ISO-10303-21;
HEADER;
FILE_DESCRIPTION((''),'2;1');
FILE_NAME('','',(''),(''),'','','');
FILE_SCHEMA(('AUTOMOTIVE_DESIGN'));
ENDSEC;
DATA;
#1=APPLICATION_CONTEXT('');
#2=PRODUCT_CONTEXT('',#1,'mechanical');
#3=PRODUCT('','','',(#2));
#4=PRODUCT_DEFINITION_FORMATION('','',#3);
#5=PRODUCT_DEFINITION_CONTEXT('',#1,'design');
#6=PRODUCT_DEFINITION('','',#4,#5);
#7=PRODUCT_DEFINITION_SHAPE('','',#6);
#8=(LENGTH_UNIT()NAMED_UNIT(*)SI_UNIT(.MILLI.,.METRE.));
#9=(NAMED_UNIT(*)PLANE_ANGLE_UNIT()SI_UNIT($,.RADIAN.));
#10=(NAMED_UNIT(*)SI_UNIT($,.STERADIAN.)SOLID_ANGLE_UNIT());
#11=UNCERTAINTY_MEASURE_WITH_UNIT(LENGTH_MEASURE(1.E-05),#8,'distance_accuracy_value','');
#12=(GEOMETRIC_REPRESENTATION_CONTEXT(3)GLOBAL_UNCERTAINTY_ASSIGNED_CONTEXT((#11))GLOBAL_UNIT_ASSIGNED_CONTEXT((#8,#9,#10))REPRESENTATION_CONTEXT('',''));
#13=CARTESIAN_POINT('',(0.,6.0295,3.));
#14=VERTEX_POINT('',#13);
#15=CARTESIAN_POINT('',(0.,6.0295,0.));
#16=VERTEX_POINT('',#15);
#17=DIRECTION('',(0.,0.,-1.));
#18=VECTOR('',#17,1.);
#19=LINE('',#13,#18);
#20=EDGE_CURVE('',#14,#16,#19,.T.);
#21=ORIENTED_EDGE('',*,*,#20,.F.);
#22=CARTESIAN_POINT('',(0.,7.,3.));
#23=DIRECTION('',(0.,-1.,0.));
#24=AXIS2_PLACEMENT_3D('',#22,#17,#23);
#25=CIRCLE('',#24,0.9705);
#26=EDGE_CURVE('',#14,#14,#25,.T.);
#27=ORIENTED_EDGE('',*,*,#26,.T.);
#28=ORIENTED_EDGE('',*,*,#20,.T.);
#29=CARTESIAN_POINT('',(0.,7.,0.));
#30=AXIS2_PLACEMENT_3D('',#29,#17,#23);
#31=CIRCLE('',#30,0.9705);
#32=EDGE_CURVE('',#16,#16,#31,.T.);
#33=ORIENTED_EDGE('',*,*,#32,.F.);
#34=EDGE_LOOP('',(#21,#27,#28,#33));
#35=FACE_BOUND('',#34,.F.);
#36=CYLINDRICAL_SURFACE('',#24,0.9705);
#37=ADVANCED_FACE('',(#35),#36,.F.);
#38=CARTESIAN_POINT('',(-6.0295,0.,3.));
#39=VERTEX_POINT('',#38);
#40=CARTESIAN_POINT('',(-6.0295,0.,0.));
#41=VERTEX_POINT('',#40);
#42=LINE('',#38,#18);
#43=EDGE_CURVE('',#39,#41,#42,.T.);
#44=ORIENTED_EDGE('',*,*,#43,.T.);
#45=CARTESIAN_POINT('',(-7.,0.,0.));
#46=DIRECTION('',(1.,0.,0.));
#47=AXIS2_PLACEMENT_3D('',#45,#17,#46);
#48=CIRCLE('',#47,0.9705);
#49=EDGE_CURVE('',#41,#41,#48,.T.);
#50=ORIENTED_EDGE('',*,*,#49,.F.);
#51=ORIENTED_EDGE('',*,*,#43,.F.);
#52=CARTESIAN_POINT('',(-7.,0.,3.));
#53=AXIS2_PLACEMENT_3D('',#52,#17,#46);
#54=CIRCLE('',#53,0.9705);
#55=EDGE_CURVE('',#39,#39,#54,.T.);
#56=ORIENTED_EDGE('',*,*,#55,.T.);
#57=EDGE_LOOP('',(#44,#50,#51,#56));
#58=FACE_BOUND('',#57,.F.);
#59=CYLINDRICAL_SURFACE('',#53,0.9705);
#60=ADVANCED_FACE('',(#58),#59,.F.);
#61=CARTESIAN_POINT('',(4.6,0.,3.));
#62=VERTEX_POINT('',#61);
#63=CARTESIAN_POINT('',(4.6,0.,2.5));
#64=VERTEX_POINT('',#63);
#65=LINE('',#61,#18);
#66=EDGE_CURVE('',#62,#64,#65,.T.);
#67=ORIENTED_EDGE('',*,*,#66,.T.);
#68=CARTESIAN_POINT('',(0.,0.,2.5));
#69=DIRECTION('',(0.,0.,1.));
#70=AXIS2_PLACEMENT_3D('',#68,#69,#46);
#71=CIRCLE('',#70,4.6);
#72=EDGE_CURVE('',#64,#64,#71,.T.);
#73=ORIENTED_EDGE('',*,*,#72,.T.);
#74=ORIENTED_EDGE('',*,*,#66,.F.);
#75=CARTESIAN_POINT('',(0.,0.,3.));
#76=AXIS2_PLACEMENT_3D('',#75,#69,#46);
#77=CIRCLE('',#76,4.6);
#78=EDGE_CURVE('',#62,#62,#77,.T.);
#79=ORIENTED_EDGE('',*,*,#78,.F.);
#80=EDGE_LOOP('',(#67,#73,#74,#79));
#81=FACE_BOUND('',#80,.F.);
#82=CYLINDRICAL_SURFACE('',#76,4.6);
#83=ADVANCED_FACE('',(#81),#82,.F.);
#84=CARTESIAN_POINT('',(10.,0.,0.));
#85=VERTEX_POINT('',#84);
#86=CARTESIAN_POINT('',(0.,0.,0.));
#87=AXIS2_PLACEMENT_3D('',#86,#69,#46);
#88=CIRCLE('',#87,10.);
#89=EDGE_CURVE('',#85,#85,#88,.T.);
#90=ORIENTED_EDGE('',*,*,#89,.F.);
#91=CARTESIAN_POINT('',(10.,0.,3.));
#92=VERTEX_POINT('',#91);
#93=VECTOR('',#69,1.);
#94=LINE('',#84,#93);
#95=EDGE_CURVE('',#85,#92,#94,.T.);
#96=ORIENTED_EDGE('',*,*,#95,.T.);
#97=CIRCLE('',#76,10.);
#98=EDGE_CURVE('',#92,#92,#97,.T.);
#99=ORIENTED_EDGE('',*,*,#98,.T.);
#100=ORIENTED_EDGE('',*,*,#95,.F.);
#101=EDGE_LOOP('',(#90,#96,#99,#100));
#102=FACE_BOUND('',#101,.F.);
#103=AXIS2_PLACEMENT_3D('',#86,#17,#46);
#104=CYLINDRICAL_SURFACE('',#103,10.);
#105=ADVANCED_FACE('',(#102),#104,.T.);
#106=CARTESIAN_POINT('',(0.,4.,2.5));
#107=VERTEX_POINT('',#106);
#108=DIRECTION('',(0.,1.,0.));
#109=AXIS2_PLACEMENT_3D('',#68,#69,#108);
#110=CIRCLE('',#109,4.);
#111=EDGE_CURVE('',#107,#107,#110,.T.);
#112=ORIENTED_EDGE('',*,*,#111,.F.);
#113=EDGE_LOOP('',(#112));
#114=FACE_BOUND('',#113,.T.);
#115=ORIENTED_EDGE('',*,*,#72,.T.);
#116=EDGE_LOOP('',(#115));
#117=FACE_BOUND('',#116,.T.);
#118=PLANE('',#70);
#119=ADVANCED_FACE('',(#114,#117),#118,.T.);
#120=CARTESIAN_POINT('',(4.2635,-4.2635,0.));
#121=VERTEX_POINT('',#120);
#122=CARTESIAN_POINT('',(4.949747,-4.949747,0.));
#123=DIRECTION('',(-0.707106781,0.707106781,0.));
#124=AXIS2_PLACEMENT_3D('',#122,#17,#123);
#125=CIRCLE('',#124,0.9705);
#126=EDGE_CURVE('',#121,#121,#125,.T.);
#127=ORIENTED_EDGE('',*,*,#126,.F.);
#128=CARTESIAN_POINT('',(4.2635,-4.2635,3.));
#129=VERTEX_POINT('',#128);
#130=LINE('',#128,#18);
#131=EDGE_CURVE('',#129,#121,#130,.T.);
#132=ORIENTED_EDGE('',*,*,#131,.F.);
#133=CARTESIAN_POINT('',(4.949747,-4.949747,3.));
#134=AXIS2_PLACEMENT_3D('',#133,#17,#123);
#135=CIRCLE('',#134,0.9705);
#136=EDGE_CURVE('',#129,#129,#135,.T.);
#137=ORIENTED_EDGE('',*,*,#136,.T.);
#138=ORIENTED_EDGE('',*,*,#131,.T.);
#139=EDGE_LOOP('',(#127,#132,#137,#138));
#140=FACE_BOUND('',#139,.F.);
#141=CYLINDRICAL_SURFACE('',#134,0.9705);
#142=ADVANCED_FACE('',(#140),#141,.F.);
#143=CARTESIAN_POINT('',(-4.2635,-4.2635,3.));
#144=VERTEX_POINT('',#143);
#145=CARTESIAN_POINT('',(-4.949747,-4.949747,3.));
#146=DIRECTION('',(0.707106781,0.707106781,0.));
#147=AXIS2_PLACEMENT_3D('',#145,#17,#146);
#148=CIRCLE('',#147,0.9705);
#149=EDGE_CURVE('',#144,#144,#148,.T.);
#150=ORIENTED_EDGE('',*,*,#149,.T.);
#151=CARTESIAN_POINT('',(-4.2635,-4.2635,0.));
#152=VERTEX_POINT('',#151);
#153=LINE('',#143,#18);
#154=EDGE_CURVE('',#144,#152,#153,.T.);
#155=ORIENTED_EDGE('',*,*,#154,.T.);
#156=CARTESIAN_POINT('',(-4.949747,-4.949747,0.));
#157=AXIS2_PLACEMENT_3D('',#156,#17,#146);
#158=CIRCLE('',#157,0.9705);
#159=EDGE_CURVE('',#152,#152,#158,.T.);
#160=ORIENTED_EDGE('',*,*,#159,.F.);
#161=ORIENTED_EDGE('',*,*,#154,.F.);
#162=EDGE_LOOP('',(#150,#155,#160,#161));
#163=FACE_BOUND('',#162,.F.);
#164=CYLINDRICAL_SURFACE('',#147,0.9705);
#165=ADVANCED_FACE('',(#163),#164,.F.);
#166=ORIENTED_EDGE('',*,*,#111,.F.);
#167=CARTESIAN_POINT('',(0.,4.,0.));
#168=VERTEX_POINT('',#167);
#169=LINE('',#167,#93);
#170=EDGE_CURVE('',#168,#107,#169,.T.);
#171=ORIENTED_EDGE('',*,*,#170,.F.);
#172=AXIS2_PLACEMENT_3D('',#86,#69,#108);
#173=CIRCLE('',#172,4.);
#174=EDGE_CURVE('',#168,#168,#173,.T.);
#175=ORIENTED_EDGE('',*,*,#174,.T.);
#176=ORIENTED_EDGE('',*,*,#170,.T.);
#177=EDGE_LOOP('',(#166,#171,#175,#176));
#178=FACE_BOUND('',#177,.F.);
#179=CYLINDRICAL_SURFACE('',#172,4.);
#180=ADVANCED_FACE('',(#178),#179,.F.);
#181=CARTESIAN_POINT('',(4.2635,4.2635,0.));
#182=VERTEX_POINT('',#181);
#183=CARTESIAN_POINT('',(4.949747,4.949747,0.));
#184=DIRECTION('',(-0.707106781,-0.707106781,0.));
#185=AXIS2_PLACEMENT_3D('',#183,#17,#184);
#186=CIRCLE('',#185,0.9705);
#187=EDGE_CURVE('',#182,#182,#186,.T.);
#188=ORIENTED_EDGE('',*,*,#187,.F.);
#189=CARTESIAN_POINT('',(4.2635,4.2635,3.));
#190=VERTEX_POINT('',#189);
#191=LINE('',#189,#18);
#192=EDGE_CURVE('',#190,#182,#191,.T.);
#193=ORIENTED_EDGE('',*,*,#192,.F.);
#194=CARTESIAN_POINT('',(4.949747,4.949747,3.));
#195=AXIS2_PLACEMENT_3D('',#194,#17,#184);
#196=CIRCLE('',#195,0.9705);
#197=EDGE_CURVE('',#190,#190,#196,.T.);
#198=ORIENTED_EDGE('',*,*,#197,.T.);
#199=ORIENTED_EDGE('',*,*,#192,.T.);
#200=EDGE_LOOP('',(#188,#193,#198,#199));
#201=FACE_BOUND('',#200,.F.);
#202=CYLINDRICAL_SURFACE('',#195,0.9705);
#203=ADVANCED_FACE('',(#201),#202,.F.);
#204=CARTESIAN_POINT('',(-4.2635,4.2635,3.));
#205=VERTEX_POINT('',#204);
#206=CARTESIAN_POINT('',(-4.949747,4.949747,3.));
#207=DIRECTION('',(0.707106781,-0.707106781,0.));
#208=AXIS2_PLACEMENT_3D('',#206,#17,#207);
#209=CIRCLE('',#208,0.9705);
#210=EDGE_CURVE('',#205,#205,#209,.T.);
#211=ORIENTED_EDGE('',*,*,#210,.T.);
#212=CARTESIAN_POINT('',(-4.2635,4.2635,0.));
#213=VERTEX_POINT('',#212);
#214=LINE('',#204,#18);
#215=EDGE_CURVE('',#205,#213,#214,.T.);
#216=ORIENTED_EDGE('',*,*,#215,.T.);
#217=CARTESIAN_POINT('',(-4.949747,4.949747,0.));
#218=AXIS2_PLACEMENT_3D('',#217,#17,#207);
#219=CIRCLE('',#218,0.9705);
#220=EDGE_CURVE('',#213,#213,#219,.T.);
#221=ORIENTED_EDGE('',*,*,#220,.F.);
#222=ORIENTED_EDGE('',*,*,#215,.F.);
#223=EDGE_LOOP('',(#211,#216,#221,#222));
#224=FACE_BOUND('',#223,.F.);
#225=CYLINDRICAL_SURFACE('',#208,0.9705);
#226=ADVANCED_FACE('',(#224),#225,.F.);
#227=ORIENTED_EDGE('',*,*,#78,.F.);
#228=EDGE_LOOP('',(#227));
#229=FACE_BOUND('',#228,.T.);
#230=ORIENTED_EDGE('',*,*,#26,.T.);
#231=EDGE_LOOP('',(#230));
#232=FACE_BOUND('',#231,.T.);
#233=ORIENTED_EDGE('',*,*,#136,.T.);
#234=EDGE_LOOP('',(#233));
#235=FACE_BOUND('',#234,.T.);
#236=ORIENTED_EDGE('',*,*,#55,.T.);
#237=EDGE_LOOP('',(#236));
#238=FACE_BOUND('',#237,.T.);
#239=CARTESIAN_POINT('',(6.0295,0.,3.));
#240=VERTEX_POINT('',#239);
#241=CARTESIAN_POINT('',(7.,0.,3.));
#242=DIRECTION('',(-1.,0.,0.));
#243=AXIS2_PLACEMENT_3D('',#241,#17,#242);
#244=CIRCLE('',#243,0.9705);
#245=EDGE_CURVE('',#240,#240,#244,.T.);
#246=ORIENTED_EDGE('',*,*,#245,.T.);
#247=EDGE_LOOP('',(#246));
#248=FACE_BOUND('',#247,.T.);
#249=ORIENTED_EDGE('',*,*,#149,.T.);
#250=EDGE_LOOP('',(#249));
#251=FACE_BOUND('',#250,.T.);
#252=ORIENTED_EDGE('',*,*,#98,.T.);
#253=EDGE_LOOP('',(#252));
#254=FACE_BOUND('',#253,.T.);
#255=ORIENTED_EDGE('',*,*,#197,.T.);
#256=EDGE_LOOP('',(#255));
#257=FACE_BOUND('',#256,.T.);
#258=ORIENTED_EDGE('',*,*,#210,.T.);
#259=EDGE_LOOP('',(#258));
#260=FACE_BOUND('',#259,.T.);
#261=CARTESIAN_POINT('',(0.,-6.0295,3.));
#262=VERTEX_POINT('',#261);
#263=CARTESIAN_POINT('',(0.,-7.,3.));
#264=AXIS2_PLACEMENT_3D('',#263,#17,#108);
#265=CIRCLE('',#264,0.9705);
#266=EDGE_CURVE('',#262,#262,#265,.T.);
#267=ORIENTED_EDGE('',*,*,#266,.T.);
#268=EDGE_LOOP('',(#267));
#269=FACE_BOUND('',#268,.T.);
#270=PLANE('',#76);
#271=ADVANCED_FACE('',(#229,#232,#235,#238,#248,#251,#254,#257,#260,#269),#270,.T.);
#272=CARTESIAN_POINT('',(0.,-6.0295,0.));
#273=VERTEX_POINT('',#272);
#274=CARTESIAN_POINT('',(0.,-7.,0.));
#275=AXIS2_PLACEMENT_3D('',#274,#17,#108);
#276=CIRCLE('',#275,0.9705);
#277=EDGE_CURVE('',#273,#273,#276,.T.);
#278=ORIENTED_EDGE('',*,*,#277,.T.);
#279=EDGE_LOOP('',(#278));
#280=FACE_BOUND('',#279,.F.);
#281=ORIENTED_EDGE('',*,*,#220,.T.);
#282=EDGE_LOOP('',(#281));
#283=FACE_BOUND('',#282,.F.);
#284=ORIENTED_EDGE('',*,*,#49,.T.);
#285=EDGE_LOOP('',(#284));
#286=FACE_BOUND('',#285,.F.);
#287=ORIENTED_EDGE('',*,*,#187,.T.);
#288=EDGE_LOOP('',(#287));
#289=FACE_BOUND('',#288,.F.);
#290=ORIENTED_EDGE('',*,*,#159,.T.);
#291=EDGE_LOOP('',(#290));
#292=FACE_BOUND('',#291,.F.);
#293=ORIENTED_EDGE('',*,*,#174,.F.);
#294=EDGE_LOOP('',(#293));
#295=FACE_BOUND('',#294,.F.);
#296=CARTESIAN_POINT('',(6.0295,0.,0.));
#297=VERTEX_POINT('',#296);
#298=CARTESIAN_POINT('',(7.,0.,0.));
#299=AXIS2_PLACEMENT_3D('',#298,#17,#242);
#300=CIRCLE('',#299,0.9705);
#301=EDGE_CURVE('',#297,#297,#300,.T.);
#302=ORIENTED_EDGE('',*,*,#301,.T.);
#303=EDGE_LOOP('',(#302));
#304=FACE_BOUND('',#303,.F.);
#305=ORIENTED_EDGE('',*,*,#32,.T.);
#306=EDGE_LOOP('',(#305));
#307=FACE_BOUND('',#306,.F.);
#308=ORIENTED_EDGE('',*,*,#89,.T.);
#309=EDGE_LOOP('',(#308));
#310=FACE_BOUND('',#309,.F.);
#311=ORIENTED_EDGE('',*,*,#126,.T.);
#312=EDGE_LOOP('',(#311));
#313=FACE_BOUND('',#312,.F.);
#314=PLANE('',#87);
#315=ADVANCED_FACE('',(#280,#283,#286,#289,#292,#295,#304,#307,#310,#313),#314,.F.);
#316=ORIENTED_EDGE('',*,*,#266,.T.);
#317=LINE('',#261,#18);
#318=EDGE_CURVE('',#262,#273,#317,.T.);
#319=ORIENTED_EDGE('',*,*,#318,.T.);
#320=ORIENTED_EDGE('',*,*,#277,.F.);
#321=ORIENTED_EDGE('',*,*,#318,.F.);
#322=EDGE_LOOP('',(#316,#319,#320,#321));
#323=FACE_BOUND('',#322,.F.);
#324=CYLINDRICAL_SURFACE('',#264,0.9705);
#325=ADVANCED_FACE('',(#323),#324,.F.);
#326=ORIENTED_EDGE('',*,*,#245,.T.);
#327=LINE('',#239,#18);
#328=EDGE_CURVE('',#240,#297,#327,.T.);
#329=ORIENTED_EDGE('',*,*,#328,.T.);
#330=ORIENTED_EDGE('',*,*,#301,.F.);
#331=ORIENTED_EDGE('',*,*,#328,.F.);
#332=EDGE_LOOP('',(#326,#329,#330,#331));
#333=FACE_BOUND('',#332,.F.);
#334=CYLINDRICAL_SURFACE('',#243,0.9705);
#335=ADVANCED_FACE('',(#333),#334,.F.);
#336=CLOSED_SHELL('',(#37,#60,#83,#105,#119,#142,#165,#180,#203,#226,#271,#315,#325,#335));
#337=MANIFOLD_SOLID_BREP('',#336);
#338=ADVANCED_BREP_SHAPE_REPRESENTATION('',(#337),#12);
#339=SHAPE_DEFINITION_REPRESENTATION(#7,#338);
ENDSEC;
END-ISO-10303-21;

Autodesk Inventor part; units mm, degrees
ref_plane "YZ Plane" through (0, 0, 0) normal (1, 0, 0) x (0, 1, 0)
ref_plane "XZ Plane" through (0, 0, 0) normal (0, 1, 0) x (-1, 0, 0)
ref_plane "XY Plane" through (0, 0, 0) normal (0, 0, 1) x (1, 0, 0)
sketch "スケッチ1" plane through (0, 0, 0) normal (0, 0, 1) x (1, 0, 0)
  circle A0 centre (0, 0) radius 10
  dimension "d0" = 20
extrude "押し出し1" add sketch "スケッチ1" along normal blind 3
sketch "スケッチ5" plane through (0, 0, 3) normal (0, 0, 1) x (1, 0, 0)
  circle A0 centre (0, 7) radius 1
  circle A1 centre (0, 0) radius 10 projected
  dimension "d30" = 2
  dimension "d77" = 0
  dimension "d78" = 7
hole "穴4" at (0, 7, 3) direction (0, 0, -1) diameter 1.941 end through all thread size "3-48 UNC" class "2B" standard "ANSI Unified Screw Threads"
sketch "スケッチ6" plane through (0, 0, 0) normal (0, 0, -1) x (-1, 0, 0)
  circle A0 centre (0, 0) radius 10 projected
  circle A1 centre (0, 0) radius 4.05
  dimension "d66" = 8.1
hole "穴5" at (0, 0, 0) direction (0, 0, 1) diameter 8 end through all
sketch "スケッチ2" plane through (0, 0, 3) normal (0, 0, 1) x (1, 0, 0)
  circle A0 centre (0, 0) radius 10 projected
  circle A1 centre (0, 0) radius 4.6
  dimension "d3" = 9.2
extrude "押し出し4" cut sketch "スケッチ2" against normal blind 0.5 contours A1
pattern_circular "円形状パターン3" count 8 over 360 about axis through (0, 0, 28.4429) along (0, 0, -1) of "穴4"
properties part number "03" material "アルミニウム 6061"
